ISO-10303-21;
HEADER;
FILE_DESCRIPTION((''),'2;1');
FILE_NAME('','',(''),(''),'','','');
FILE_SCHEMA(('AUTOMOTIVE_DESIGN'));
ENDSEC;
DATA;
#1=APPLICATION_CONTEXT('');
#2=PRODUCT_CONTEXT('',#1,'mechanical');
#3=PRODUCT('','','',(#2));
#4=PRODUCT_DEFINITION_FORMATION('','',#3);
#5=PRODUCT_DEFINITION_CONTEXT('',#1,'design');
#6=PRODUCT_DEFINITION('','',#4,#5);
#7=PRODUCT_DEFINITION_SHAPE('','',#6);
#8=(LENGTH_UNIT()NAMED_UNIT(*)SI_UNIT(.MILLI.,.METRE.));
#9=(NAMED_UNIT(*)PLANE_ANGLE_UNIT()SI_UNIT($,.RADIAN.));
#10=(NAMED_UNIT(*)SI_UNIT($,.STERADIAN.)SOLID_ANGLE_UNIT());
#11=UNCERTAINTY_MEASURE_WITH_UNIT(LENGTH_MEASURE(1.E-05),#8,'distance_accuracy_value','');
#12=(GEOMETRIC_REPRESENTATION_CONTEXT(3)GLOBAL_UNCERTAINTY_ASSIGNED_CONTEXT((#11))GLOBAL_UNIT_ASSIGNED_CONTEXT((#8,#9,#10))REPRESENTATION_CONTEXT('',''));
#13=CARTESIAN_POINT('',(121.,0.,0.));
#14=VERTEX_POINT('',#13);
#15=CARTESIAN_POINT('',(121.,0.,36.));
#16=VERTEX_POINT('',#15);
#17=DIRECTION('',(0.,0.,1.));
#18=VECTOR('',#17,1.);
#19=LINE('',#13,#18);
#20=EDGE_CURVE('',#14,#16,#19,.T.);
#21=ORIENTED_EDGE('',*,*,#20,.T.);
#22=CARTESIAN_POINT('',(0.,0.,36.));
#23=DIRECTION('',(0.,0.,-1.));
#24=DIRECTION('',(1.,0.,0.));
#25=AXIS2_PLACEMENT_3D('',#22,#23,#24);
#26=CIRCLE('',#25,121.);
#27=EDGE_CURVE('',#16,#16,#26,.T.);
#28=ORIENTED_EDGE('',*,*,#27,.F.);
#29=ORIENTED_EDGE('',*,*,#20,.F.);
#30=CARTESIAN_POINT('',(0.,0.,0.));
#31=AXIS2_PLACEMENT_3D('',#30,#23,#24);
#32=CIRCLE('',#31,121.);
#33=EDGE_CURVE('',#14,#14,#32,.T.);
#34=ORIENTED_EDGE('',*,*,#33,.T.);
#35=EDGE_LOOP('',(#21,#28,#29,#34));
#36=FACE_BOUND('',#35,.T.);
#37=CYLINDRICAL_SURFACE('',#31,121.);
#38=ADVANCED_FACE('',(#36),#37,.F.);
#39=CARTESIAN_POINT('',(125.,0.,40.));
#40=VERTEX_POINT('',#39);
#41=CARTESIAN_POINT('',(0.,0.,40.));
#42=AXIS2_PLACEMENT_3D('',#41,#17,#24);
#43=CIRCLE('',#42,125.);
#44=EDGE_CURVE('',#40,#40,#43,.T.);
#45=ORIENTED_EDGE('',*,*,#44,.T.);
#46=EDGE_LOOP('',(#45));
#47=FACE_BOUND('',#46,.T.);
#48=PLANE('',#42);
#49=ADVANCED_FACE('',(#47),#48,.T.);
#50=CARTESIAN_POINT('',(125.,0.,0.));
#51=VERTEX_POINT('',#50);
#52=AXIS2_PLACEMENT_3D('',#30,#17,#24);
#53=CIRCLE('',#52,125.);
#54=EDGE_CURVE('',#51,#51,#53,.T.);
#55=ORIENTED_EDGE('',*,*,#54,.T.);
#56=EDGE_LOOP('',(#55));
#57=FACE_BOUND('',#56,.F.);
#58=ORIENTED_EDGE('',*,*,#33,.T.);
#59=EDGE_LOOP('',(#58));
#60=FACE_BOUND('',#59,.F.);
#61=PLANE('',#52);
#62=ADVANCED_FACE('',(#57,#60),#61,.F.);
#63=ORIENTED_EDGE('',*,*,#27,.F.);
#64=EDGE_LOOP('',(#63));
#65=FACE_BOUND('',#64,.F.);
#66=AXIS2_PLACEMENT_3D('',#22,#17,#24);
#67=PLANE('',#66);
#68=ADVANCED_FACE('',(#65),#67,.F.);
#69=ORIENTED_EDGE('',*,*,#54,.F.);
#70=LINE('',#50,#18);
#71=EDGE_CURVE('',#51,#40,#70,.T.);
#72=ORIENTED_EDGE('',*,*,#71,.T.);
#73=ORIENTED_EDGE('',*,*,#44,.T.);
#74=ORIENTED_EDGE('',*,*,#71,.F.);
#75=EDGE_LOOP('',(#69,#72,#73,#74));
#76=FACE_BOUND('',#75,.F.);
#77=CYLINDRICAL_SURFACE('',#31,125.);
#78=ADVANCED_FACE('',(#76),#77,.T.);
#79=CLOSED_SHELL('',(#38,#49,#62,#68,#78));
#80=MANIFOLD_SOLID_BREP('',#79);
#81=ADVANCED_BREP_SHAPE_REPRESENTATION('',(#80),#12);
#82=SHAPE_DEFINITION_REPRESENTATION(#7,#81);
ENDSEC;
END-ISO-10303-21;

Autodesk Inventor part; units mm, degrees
ref_plane "YZ Plane" through (0, 0, 0) normal (1, 0, 0) x (0, 1, 0)
ref_plane "XZ Plane" through (0, 0, 0) normal (0, 1, 0) x (-1, 0, 0)
ref_plane "XY Plane" through (0, 0, 0) normal (0, 0, 1) x (1, 0, 0)
sketch "Sketch1" plane through (0, 0, 0) normal (0, 0, 1) x (1, 0, 0)
  circle A0 centre (0, 0) radius 125
  dimension "d1" = 250
extrude "Extrusion1" add sketch "Sketch1" along normal blind 40
shell "Shell1" thickness 4 removed faces 1 at (41.3381, 62.2678, 0)
properties part number "fleetpart"
